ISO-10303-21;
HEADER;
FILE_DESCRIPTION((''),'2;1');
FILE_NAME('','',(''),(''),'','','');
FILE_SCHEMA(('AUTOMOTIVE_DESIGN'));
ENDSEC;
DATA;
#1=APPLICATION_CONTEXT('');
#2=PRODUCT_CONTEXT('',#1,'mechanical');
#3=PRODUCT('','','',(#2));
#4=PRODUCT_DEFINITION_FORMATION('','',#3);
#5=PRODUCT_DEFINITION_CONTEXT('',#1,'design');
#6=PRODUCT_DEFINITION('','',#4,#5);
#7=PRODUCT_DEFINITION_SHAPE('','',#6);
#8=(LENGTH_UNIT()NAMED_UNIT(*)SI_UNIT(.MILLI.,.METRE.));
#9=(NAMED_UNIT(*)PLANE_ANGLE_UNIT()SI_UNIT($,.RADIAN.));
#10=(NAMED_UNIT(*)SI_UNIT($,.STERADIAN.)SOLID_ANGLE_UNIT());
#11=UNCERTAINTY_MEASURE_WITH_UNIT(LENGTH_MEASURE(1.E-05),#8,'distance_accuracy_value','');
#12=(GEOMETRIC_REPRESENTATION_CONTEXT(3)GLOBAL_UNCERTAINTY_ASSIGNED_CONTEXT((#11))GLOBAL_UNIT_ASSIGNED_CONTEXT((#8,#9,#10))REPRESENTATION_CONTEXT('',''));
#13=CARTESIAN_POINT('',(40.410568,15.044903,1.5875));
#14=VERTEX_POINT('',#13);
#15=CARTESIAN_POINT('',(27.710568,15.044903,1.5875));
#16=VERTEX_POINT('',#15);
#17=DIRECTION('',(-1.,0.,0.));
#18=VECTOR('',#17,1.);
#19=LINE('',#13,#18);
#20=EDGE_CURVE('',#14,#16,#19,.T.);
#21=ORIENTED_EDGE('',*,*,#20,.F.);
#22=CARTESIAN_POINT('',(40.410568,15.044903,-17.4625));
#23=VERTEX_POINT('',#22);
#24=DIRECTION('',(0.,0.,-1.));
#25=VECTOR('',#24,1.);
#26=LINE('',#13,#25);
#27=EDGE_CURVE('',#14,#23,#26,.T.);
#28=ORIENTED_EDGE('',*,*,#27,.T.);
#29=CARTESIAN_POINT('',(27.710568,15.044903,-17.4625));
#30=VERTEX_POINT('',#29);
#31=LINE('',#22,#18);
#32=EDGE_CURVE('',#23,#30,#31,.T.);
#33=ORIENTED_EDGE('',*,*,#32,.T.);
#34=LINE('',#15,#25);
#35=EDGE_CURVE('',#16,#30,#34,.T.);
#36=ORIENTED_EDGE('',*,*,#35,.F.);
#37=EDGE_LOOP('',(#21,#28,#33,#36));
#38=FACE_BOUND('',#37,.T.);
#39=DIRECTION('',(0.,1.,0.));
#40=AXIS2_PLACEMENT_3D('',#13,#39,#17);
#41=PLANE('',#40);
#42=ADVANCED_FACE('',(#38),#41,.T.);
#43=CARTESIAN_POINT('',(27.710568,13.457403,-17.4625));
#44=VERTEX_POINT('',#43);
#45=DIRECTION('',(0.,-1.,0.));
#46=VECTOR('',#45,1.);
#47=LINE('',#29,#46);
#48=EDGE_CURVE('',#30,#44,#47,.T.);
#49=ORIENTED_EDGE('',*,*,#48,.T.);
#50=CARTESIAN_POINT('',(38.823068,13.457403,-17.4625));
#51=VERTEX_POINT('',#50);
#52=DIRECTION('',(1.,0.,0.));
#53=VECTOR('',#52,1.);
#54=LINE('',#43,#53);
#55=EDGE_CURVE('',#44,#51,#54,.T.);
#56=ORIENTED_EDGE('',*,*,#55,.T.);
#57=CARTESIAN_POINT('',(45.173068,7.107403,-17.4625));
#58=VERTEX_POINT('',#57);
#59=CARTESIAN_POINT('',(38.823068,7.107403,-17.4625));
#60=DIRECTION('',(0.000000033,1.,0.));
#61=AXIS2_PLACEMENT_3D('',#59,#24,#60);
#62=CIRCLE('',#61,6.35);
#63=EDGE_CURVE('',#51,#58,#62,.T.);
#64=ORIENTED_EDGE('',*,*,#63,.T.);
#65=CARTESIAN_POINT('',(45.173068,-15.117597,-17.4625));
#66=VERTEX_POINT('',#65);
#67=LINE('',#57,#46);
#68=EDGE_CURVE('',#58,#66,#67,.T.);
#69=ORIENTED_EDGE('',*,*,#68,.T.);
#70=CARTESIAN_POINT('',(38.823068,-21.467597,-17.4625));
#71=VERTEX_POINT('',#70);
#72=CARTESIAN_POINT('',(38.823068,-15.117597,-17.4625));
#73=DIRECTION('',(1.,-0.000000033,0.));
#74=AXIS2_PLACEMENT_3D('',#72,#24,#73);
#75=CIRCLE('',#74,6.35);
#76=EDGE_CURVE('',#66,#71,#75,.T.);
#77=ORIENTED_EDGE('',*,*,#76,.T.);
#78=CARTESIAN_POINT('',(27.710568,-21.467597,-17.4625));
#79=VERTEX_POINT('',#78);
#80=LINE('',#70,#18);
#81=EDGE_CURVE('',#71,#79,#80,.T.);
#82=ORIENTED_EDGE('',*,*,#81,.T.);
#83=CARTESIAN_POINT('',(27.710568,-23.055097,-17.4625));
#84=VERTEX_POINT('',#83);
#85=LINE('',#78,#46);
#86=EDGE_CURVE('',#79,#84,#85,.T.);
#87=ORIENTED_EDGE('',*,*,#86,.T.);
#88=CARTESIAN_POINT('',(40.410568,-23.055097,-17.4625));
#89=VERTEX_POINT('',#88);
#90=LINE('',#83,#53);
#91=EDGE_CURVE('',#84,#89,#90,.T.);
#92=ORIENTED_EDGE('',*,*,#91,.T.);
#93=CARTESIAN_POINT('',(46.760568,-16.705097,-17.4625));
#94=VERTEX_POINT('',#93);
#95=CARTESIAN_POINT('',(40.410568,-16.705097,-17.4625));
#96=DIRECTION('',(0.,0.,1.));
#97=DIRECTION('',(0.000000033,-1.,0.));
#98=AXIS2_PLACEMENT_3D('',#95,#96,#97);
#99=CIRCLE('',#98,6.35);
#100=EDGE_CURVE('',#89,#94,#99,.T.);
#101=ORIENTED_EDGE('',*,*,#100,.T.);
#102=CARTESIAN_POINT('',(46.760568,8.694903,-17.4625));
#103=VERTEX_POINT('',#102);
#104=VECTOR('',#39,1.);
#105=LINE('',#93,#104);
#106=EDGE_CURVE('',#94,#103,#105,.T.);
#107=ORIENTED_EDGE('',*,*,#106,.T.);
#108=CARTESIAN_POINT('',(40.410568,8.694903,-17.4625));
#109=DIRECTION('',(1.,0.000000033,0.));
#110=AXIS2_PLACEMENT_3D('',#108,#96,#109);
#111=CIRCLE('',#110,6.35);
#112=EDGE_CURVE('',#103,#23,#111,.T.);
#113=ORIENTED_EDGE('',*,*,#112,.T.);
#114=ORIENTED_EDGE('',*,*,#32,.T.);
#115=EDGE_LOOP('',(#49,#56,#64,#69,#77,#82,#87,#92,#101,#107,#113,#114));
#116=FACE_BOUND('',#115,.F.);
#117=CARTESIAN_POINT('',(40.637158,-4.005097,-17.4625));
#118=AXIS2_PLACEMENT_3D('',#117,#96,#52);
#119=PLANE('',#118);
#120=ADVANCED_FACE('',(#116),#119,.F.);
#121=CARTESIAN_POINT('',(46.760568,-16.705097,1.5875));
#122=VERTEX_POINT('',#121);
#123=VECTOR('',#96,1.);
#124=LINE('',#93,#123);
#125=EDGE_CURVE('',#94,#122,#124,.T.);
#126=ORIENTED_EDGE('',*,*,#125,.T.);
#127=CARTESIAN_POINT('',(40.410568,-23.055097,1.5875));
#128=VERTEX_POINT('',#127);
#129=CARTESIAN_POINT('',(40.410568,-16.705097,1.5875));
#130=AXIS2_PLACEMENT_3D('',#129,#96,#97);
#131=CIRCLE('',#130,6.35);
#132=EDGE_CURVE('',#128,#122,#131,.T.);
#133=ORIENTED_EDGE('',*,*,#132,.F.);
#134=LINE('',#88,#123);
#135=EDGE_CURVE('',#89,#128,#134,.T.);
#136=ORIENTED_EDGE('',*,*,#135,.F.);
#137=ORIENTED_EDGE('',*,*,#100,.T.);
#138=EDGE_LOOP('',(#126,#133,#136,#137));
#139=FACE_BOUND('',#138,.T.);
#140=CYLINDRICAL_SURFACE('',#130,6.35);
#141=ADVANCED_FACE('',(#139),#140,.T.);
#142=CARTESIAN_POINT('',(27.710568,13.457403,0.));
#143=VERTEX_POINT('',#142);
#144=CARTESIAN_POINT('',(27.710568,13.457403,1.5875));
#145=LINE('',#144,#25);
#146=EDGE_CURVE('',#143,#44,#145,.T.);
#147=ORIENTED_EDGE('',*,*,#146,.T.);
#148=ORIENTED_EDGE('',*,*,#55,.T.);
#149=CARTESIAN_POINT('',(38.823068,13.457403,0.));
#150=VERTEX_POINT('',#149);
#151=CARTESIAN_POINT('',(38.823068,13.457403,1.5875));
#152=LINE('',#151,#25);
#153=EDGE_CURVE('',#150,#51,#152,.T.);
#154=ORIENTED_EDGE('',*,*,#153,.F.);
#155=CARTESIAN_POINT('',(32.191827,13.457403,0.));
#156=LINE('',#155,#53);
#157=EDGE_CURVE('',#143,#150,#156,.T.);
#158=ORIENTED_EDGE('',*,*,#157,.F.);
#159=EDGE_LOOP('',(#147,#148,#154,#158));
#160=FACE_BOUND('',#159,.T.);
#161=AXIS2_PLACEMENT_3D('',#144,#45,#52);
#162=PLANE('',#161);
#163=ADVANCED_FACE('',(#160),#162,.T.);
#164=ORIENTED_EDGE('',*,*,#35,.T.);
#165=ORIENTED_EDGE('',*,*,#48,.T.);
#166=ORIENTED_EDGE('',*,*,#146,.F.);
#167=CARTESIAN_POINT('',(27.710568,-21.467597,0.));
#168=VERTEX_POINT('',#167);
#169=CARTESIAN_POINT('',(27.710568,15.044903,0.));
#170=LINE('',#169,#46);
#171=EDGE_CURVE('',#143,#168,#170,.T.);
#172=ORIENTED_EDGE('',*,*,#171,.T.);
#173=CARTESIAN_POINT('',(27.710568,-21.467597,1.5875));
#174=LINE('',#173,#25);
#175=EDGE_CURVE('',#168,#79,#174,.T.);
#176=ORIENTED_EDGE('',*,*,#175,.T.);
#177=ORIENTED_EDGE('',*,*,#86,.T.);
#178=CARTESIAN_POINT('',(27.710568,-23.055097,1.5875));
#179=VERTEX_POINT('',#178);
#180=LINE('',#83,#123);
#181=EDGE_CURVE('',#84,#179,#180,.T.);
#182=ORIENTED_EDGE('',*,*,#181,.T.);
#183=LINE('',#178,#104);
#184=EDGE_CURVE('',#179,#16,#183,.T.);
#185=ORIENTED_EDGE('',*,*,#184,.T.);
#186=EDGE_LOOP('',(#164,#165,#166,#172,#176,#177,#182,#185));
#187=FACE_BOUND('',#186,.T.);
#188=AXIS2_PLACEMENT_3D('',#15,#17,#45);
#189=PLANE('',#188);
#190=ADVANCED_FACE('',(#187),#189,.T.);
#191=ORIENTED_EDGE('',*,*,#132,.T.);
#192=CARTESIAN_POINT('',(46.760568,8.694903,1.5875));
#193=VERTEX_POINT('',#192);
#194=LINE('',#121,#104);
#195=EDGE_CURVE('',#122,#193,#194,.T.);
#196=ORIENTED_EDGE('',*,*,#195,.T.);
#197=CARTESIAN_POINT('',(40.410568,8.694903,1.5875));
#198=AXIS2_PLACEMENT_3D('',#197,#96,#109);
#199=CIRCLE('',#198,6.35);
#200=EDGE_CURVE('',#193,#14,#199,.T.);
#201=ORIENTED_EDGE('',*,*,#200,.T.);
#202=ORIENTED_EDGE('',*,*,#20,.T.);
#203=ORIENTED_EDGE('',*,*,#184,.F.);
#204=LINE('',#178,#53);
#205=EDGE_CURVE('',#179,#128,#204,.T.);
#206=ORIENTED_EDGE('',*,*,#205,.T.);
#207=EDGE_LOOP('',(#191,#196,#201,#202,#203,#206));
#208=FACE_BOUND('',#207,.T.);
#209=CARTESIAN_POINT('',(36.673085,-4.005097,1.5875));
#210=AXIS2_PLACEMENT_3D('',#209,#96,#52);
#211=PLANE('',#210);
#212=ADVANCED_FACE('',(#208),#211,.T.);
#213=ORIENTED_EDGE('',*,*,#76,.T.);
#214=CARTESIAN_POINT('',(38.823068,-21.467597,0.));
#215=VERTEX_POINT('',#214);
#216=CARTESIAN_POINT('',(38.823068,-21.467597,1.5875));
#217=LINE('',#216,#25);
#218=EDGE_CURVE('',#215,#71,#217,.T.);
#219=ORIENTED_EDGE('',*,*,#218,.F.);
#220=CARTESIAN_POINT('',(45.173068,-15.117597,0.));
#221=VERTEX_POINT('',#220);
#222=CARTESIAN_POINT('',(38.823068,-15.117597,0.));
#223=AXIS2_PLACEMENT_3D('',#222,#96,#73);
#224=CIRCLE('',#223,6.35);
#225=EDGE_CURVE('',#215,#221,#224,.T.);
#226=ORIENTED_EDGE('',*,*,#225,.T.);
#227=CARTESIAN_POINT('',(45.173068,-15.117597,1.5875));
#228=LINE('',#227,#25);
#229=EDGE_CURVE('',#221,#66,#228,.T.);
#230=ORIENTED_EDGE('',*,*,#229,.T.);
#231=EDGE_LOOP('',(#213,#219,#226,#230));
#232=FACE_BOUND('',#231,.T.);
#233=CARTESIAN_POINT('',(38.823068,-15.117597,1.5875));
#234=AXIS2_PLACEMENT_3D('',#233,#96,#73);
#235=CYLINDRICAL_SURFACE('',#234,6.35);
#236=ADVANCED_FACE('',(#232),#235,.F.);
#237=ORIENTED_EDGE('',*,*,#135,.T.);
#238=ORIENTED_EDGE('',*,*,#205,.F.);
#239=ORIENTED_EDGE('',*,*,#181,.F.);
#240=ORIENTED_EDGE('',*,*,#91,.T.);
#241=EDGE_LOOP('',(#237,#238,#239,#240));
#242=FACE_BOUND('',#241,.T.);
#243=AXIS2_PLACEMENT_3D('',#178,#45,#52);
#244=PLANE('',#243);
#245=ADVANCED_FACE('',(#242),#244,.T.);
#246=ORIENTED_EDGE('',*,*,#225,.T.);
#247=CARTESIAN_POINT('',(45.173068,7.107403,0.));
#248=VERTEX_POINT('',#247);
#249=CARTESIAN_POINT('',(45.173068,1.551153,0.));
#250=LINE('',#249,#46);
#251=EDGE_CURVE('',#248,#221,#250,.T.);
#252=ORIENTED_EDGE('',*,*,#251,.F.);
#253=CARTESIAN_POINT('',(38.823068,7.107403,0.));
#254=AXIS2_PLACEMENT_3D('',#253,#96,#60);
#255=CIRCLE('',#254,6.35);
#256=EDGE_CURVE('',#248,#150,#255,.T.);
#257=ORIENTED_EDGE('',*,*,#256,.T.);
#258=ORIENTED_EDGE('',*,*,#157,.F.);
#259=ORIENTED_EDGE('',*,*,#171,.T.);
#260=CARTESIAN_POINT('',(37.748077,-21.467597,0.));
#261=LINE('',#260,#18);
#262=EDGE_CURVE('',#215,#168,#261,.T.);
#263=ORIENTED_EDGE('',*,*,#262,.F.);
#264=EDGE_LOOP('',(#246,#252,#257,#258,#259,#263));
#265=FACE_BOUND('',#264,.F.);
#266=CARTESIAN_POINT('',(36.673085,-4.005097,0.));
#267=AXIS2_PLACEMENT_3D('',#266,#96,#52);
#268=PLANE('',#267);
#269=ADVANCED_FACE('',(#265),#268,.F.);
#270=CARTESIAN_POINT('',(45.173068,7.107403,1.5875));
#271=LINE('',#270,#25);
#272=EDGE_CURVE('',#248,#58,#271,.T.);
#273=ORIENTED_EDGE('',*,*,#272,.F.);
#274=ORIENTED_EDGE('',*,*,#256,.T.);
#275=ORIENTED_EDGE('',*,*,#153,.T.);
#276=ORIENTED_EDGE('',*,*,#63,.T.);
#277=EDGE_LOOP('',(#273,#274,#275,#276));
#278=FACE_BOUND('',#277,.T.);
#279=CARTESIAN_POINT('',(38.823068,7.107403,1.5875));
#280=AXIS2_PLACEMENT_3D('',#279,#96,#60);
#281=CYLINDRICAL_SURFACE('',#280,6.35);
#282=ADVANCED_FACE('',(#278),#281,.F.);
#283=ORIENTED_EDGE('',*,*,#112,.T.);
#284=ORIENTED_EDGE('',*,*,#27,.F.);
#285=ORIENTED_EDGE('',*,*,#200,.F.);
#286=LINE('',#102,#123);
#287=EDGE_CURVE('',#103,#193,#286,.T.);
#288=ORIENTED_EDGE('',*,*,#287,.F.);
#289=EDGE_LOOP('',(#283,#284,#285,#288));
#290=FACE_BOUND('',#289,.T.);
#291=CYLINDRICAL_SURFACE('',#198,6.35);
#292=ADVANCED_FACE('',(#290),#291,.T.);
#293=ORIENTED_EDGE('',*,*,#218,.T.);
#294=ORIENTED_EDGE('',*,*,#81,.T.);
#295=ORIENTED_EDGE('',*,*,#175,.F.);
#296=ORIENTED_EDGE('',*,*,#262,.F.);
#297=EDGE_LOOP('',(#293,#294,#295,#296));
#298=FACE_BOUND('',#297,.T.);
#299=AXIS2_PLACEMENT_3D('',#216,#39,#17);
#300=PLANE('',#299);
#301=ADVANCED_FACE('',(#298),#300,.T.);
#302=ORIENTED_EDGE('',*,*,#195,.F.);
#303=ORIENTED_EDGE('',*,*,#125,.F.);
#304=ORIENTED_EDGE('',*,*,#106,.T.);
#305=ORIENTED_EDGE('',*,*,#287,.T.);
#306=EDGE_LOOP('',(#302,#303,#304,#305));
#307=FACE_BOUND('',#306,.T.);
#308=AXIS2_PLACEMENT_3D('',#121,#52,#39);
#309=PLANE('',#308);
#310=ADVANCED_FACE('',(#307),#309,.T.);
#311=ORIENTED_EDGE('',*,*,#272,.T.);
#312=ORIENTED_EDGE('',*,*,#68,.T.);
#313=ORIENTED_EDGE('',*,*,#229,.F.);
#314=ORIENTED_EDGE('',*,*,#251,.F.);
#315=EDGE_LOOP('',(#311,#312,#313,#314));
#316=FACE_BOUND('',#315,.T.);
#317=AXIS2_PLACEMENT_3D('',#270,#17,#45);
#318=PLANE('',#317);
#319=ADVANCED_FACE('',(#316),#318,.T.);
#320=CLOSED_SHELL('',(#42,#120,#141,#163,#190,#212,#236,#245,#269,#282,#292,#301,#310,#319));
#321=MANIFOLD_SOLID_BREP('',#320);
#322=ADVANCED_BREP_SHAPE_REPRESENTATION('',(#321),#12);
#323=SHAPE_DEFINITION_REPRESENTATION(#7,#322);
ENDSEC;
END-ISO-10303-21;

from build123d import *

# Parameters (mm, degrees)
F1_DEPTH = 1.5875
F3_DEPTH = 19.05


with BuildPart() as f1:
    # F0 (on Top) → F1 (new body)
    with BuildSketch(Plane.XY):
        with BuildLine():
            Line((40.410568, 15.044903), (27.710568, 15.044903))
            Line((27.710568, 15.044903), (27.710568, -23.055097))
            Line((27.710568, -23.055097), (40.410568, -23.055097))
            ThreePointArc((40.410568, -23.055097), (44.900696, -21.195225), (46.760568, -16.705097))
            Line((46.760568, -16.705097), (46.760568, 8.694903))
            ThreePointArc((46.760568, 8.694903), (44.900696, 13.185031), (40.410568, 15.044903))
        make_face()
    extrude(amount=F1_DEPTH)

    # F2 (on face) → F3 (join)
    with BuildSketch(Plane.XY.offset(1.5875)):
        with BuildLine():
            Line((27.710568, 15.044903), (27.710568, 13.457403))
            Line((27.710568, 13.457403), (38.823068, 13.457403))
            ThreePointArc((38.823068, 13.457403), (43.313196, 11.597531), (45.173068, 7.107403))
            Line((45.173068, 7.107403), (45.173068, -15.117597))
            ThreePointArc((45.173068, -15.117597), (43.313196, -19.607725), (38.823068, -21.467597))
            Line((38.823068, -21.467597), (27.710568, -21.467597))
            Line((27.710568, -21.467597), (27.710568, -23.055097))
            Line((27.710568, -23.055097), (40.410568, -23.055097))
            ThreePointArc((40.410568, -23.055097), (44.900696, -21.195225), (46.760568, -16.705097))
            Line((46.760568, -16.705097), (46.760568, 8.694903))
            ThreePointArc((46.760568, 8.694903), (44.900696, 13.185031), (40.410568, 15.044903))
            Line((40.410568, 15.044903), (27.710568, 15.044903))
        make_face()
    extrude(amount=-F3_DEPTH)


solid = f1.part
